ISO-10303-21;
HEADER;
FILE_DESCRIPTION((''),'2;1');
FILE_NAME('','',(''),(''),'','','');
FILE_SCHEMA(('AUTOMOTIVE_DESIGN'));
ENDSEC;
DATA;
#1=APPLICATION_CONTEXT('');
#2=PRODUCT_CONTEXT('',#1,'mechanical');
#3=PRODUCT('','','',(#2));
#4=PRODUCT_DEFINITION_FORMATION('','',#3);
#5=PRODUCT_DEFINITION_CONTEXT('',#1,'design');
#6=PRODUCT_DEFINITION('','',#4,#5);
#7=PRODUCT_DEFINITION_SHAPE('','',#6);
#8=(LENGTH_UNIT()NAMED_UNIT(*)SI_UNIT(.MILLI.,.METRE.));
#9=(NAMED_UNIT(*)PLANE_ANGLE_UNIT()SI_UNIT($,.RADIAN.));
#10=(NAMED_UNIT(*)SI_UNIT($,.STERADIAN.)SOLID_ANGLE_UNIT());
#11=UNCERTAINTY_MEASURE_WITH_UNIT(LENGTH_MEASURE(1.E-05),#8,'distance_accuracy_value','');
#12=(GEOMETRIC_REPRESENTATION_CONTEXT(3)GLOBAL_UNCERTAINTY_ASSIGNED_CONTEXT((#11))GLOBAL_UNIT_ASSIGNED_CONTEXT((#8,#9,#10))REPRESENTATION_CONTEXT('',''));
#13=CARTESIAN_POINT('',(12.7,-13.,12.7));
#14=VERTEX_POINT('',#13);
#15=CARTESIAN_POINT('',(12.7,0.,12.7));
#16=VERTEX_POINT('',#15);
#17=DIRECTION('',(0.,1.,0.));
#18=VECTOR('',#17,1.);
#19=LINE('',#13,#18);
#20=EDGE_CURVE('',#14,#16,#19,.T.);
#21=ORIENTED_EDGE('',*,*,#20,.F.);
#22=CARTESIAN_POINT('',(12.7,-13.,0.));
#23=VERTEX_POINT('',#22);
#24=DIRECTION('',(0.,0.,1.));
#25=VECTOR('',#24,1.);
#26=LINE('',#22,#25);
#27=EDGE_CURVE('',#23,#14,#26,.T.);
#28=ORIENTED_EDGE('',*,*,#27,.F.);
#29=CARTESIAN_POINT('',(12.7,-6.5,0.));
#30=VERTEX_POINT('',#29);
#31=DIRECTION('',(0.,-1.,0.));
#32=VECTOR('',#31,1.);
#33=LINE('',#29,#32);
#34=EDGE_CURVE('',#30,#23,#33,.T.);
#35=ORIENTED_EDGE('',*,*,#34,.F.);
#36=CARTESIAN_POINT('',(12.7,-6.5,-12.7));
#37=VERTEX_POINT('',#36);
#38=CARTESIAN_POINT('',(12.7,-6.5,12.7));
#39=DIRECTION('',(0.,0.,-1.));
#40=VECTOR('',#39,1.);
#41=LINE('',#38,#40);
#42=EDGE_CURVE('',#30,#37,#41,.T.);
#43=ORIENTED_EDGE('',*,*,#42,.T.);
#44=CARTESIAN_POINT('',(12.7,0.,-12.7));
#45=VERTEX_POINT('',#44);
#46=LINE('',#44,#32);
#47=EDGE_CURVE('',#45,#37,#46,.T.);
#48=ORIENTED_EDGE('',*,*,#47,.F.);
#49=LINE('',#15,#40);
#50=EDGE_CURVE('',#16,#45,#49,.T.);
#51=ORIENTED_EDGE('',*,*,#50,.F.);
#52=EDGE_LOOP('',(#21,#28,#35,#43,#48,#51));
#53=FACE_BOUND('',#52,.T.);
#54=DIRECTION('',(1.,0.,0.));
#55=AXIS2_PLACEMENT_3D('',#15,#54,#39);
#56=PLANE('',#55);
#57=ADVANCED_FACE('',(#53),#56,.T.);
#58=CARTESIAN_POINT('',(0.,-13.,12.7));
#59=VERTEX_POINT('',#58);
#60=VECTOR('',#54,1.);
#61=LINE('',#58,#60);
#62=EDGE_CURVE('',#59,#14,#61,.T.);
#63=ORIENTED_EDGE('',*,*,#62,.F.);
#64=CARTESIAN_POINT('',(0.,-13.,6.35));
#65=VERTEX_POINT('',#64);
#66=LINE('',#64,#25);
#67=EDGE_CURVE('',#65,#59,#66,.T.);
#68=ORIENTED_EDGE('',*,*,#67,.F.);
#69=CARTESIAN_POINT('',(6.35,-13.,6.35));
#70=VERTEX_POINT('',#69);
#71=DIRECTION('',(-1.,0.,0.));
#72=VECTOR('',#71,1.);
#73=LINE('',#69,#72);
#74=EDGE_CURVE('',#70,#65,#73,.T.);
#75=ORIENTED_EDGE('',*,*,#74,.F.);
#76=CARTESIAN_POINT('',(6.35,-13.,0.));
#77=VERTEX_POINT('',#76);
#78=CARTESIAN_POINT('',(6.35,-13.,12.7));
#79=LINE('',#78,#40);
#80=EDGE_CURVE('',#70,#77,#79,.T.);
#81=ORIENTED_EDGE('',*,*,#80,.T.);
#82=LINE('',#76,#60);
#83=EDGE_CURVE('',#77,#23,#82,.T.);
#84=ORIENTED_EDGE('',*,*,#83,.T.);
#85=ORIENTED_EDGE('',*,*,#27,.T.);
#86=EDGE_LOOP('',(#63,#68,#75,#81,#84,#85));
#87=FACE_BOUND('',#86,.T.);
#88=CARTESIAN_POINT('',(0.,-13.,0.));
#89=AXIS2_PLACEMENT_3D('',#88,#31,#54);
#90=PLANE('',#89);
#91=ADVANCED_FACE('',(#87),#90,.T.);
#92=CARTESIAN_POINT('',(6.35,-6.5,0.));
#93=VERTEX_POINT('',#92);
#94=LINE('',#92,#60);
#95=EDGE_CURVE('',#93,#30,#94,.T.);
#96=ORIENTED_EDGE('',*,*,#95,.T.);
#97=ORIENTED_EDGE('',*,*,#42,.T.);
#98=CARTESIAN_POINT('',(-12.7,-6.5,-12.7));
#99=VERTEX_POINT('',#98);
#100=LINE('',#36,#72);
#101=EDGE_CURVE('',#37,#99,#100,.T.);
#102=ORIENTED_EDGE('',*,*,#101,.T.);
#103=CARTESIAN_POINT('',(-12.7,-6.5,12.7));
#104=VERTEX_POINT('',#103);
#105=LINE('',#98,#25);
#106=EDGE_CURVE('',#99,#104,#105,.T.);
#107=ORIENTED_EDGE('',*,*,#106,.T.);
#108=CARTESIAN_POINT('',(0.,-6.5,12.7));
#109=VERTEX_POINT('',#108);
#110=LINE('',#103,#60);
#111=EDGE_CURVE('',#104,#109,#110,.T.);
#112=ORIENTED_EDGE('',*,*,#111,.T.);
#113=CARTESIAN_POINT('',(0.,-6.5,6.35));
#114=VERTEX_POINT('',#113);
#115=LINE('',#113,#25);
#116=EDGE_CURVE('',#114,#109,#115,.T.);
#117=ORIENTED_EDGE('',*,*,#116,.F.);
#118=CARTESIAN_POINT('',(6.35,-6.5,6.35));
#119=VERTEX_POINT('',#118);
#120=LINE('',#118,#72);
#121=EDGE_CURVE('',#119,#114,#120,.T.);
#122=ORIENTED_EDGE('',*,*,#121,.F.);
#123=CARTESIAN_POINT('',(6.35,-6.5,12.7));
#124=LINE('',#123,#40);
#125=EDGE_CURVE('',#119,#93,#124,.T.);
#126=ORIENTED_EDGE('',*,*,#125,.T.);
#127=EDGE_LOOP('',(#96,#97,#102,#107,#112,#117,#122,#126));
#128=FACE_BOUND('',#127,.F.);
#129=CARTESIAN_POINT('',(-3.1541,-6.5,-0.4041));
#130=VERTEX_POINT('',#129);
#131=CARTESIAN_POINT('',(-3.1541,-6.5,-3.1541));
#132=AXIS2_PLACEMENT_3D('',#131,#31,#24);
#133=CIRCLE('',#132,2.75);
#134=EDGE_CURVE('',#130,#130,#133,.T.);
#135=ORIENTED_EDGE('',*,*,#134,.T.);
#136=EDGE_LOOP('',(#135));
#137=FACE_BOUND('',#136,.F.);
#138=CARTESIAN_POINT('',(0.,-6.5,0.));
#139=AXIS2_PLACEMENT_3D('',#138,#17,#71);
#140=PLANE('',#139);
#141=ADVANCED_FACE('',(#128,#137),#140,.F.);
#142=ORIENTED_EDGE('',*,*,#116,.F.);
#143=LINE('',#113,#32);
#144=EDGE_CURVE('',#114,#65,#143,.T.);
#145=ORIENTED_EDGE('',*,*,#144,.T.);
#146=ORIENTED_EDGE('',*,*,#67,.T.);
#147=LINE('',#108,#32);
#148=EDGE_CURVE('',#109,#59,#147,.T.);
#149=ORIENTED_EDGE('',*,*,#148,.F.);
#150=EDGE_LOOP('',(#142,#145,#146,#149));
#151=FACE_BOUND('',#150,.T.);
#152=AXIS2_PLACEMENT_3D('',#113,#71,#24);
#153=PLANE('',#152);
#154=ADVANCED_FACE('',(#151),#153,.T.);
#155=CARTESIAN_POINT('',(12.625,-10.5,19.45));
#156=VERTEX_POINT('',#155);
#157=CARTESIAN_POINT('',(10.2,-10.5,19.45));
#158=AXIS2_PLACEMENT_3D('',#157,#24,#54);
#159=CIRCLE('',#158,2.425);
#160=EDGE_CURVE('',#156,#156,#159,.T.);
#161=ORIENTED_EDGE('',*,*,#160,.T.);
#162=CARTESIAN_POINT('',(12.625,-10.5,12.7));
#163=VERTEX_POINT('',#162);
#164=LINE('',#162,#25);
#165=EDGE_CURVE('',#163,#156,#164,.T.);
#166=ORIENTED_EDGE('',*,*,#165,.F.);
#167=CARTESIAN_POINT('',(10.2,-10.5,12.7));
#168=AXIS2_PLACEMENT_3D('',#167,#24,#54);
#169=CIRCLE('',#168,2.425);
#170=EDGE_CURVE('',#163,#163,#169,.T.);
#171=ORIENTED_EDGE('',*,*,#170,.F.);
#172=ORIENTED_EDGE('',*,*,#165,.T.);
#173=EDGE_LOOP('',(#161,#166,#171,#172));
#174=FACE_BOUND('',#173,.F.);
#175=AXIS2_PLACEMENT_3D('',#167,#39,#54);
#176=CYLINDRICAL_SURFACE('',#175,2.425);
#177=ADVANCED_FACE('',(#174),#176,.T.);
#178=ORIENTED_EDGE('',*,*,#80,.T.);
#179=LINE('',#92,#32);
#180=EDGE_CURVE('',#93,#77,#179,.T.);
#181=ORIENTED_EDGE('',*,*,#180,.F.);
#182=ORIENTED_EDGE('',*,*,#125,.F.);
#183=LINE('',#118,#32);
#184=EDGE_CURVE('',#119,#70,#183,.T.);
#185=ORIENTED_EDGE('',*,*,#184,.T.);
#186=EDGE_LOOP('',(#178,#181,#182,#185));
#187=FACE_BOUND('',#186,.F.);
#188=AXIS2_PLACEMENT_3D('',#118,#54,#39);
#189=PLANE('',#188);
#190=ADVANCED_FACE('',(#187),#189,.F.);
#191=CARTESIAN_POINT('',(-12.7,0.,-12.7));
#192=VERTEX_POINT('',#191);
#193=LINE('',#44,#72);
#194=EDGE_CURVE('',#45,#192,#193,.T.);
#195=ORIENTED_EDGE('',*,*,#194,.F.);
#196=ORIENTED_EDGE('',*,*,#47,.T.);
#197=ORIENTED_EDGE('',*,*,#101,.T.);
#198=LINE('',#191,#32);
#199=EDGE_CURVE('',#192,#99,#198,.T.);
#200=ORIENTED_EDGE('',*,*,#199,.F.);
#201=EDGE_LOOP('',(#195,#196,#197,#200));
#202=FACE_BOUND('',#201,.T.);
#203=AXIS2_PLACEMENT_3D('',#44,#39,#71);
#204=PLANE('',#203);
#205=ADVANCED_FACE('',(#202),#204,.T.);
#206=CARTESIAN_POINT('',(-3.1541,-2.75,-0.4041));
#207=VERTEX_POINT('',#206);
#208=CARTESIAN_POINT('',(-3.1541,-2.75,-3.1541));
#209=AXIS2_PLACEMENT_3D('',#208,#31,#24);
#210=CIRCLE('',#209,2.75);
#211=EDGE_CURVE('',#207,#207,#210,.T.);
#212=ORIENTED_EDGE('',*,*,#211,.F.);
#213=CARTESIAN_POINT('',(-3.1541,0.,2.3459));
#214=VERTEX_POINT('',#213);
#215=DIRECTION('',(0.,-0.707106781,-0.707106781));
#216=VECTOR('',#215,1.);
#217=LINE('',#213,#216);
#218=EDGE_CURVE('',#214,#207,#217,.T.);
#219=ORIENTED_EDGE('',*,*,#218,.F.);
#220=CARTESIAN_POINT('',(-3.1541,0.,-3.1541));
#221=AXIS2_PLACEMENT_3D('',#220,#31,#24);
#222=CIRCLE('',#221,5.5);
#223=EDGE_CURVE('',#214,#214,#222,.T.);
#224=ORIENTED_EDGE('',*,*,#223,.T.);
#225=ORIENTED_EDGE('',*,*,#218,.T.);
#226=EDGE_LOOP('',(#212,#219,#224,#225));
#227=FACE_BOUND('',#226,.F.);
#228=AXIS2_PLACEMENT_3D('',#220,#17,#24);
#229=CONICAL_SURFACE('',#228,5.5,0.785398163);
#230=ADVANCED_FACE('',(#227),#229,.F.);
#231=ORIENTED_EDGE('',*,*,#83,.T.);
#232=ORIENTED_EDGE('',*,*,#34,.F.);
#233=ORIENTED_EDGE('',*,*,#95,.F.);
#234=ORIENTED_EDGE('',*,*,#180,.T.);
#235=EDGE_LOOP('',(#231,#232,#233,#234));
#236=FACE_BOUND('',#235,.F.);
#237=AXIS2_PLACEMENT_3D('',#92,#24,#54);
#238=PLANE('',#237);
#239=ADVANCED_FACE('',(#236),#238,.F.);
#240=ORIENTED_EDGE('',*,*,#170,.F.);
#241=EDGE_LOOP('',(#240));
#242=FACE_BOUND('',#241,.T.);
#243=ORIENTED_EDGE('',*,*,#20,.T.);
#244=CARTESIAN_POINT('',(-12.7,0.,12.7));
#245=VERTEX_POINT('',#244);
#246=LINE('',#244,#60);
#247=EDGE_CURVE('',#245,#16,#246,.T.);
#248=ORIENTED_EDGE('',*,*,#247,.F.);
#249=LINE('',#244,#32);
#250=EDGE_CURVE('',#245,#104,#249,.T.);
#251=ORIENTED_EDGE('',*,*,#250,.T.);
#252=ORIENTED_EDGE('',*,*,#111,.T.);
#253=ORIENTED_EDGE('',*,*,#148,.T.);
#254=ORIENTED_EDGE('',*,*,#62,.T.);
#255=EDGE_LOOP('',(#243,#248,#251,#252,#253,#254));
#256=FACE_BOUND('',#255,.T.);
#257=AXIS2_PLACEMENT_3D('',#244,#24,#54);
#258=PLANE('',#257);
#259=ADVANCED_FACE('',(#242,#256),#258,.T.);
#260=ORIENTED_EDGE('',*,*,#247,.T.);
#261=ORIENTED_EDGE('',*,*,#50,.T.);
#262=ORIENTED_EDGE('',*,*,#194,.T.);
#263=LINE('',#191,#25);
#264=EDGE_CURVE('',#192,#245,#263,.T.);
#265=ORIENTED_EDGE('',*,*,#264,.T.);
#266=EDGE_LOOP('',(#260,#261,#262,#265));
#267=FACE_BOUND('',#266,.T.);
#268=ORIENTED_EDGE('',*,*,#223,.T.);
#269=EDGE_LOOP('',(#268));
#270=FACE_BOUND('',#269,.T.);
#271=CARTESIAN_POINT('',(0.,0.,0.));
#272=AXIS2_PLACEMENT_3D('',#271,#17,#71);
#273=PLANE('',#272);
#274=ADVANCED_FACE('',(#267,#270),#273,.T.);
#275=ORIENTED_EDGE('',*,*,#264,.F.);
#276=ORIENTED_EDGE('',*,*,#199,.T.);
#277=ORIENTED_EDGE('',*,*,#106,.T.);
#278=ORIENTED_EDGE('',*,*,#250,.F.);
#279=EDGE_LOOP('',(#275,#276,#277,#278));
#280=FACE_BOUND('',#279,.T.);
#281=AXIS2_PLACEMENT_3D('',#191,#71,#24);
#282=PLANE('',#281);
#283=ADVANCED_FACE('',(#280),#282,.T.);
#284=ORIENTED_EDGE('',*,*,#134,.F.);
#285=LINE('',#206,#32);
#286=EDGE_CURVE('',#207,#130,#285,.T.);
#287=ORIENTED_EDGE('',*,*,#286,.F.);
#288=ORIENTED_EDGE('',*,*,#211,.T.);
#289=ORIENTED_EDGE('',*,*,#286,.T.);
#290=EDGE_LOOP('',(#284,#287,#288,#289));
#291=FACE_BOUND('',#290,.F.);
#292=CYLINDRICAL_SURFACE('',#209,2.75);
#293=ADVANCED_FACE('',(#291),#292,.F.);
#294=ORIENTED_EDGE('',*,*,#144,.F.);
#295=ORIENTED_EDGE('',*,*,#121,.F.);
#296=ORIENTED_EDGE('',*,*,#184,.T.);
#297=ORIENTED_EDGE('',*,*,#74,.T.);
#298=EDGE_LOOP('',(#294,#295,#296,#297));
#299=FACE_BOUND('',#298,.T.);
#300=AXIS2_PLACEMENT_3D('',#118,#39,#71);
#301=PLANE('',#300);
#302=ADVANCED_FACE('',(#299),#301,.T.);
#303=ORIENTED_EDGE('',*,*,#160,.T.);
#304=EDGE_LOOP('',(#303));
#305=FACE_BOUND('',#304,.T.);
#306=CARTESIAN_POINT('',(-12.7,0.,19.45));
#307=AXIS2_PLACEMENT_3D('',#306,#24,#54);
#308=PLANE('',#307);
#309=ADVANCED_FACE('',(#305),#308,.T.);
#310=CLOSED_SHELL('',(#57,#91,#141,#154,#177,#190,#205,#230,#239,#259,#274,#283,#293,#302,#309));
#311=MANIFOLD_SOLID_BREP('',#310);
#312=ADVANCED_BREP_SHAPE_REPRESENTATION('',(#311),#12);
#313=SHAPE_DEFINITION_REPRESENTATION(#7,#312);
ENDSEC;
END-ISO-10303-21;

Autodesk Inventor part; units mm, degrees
ref_plane "YZ Plane" through (0, 0, 0) normal (1, 0, 0) x (0, 1, 0)
ref_plane "XZ Plane" through (0, 0, 0) normal (0, 1, 0) x (-1, 0, 0)
ref_plane "XY Plane" through (0, 0, 0) normal (0, 0, 1) x (1, 0, 0)
sketch "Sketch2" plane through (0, 0, 0) normal (0, 1, 0) x (-1, 0, 0)
  line L0 (12.7, 12.7) -> (-12.7, 12.7)
  line L1 (-12.7, 12.7) -> (-12.7, -12.7)
  line L2 (-12.7, -12.7) -> (12.7, -12.7)
  line L3 (12.7, -12.7) -> (12.7, 12.7)
  line L4 (12.7, 0) -> (-12.7, 0) construction
  line L5 (0, -12.7) -> (0, 12.7) construction
  point P0 (0, 0)
  point P1 (0, 0)
  dimension "d2" = 25.4
  dimension "d3" = 25.4
extrude "Base" add sketch "Sketch2" against normal blind 6.5
sketch "Sketch3" plane through (0, -6.5, 0) normal (0, -1, 0) x (1, 0, 0)
  line L0 (12.7, 12.7) -> (-12.7, 12.7) projected
  line L1 (12.7, 12.7) -> (6.35, 12.7)
  line L2 (6.35, 12.7) -> (6.35, 0)
  line L3 (6.35, 0) -> (12.7, 0)
  line L4 (12.7, 0) -> (12.7, 12.7)
  line L5 (0, 12.7) -> (6.35, 12.7)
  line L6 (6.35, 12.7) -> (6.35, 6.35)
  line L7 (6.35, 6.35) -> (0, 6.35)
  line L8 (0, 6.35) -> (0, 12.7)
  line L9 (-12.7, 12.7) -> (-12.7, -12.7) projected
  line L10 (12.7, 12.7) -> (-12.7, 12.7)
  line L11 (-12.7, 12.7) -> (-12.7, -12.7)
  line L12 (-12.7, -12.7) -> (12.7, -12.7)
  line L13 (12.7, -12.7) -> (12.7, 12.7)
  point P0 (0, 0)
  dimension "d6" = 6.35
  dimension "d7" = 12.7
extrude "Back extrusion" add sketch "Sketch3" along normal blind 6.5 contours L4 L3 L2 L0 | L2 L7 L8 L0
sketch "Sketch5" plane through (-12.7, 0, 12.7) normal (0, 0, 1) x (1, 0, 0)
  line L0 (12.7, -6.5) -> (0, -6.5) projected
  line L1 (25.4, -6.5) -> (25.4, -13) projected
  line L2 (12.7, -6.5) -> (25.4, -6.5) construction
  line L3 (25.4, -13) -> (12.7, -13) projected
  line L4 (25.4, -13) -> (20.4, -13) construction
  line L5 (20.4, -13) -> (20.4, -8) construction
  line L6 (20.4, -8) -> (25.4, -8) construction
  line L7 (25.4, -8) -> (25.4, -13) construction
  line L8 (20.4, -8) -> (25.4, -13) construction
  line L9 (20.4, -13) -> (25.4, -8) construction
  circle A0 centre (22.9, -10.5) radius 2.425
  point P0 (12.7, 0)
  dimension "d10" = 5
  dimension "d11" = 5
  dimension "d12" = 4.85
extrude "Extrusion3" add sketch "Sketch5" along normal blind 6.75
sketch "Sketch6" plane through (0, -6.5, 0) normal (0, -1, 0) x (1, 0, 0)
  line L0 (-12.7, 12.7) -> (-12.7, -12.7) projected
  line L1 (-12.7, -12.7) -> (-4.9218, -4.9218) construction
  line L2 (-12.7, -12.7) -> (-1.7, -12.7) construction
  line L3 (-4.9218, -4.9218) -> (-3.1541, -3.1541) construction
  line L4 (-4.9218, -4.9218) -> (-2.4218, -4.9218) construction
  circle A0 centre (-3.1541, -3.1541) radius 2.5
  point P0 (0, 0)
  dimension "d15" = 11
  dimension "d16" = 45
  dimension "d17" = 2.5
  dimension "d18" = 45
sketch "Sketch7" plane through (0, 0, 0) normal (0, 1, 0) x (1, 0, 0)
  line L0 (-12.7, -12.7) -> (-12.7, 12.7) projected
  line L1 (-12.7, 12.7) -> (-7.0431, 7.0431) construction
  line L2 (-12.7, 12.7) -> (-4.7, 12.7) construction
  line L3 (-7.0431, 7.0431) -> (-3.1541, 3.1541) construction
  line L4 (-7.0431, 7.0431) -> (-1.5431, 7.0431) construction
  circle A0 centre (-3.1541, 3.1541) radius 5.5
  point P0 (0, 0)
  dimension "d19" = 8
  dimension "d20" = 45
  dimension "d21" = 5.5
  dimension "d22" = 45
hole "Hole1" at (-3.1541, 0, -3.1541) direction (0, -1, 0) diameter 5.5 end through all countersink diameter 11 countersink angle 90
equation "\"d3\" = d2"
equation "\"d7\" = 2 * d6"
equation "\"d11\" = d10"
properties part number "Door pin right"
